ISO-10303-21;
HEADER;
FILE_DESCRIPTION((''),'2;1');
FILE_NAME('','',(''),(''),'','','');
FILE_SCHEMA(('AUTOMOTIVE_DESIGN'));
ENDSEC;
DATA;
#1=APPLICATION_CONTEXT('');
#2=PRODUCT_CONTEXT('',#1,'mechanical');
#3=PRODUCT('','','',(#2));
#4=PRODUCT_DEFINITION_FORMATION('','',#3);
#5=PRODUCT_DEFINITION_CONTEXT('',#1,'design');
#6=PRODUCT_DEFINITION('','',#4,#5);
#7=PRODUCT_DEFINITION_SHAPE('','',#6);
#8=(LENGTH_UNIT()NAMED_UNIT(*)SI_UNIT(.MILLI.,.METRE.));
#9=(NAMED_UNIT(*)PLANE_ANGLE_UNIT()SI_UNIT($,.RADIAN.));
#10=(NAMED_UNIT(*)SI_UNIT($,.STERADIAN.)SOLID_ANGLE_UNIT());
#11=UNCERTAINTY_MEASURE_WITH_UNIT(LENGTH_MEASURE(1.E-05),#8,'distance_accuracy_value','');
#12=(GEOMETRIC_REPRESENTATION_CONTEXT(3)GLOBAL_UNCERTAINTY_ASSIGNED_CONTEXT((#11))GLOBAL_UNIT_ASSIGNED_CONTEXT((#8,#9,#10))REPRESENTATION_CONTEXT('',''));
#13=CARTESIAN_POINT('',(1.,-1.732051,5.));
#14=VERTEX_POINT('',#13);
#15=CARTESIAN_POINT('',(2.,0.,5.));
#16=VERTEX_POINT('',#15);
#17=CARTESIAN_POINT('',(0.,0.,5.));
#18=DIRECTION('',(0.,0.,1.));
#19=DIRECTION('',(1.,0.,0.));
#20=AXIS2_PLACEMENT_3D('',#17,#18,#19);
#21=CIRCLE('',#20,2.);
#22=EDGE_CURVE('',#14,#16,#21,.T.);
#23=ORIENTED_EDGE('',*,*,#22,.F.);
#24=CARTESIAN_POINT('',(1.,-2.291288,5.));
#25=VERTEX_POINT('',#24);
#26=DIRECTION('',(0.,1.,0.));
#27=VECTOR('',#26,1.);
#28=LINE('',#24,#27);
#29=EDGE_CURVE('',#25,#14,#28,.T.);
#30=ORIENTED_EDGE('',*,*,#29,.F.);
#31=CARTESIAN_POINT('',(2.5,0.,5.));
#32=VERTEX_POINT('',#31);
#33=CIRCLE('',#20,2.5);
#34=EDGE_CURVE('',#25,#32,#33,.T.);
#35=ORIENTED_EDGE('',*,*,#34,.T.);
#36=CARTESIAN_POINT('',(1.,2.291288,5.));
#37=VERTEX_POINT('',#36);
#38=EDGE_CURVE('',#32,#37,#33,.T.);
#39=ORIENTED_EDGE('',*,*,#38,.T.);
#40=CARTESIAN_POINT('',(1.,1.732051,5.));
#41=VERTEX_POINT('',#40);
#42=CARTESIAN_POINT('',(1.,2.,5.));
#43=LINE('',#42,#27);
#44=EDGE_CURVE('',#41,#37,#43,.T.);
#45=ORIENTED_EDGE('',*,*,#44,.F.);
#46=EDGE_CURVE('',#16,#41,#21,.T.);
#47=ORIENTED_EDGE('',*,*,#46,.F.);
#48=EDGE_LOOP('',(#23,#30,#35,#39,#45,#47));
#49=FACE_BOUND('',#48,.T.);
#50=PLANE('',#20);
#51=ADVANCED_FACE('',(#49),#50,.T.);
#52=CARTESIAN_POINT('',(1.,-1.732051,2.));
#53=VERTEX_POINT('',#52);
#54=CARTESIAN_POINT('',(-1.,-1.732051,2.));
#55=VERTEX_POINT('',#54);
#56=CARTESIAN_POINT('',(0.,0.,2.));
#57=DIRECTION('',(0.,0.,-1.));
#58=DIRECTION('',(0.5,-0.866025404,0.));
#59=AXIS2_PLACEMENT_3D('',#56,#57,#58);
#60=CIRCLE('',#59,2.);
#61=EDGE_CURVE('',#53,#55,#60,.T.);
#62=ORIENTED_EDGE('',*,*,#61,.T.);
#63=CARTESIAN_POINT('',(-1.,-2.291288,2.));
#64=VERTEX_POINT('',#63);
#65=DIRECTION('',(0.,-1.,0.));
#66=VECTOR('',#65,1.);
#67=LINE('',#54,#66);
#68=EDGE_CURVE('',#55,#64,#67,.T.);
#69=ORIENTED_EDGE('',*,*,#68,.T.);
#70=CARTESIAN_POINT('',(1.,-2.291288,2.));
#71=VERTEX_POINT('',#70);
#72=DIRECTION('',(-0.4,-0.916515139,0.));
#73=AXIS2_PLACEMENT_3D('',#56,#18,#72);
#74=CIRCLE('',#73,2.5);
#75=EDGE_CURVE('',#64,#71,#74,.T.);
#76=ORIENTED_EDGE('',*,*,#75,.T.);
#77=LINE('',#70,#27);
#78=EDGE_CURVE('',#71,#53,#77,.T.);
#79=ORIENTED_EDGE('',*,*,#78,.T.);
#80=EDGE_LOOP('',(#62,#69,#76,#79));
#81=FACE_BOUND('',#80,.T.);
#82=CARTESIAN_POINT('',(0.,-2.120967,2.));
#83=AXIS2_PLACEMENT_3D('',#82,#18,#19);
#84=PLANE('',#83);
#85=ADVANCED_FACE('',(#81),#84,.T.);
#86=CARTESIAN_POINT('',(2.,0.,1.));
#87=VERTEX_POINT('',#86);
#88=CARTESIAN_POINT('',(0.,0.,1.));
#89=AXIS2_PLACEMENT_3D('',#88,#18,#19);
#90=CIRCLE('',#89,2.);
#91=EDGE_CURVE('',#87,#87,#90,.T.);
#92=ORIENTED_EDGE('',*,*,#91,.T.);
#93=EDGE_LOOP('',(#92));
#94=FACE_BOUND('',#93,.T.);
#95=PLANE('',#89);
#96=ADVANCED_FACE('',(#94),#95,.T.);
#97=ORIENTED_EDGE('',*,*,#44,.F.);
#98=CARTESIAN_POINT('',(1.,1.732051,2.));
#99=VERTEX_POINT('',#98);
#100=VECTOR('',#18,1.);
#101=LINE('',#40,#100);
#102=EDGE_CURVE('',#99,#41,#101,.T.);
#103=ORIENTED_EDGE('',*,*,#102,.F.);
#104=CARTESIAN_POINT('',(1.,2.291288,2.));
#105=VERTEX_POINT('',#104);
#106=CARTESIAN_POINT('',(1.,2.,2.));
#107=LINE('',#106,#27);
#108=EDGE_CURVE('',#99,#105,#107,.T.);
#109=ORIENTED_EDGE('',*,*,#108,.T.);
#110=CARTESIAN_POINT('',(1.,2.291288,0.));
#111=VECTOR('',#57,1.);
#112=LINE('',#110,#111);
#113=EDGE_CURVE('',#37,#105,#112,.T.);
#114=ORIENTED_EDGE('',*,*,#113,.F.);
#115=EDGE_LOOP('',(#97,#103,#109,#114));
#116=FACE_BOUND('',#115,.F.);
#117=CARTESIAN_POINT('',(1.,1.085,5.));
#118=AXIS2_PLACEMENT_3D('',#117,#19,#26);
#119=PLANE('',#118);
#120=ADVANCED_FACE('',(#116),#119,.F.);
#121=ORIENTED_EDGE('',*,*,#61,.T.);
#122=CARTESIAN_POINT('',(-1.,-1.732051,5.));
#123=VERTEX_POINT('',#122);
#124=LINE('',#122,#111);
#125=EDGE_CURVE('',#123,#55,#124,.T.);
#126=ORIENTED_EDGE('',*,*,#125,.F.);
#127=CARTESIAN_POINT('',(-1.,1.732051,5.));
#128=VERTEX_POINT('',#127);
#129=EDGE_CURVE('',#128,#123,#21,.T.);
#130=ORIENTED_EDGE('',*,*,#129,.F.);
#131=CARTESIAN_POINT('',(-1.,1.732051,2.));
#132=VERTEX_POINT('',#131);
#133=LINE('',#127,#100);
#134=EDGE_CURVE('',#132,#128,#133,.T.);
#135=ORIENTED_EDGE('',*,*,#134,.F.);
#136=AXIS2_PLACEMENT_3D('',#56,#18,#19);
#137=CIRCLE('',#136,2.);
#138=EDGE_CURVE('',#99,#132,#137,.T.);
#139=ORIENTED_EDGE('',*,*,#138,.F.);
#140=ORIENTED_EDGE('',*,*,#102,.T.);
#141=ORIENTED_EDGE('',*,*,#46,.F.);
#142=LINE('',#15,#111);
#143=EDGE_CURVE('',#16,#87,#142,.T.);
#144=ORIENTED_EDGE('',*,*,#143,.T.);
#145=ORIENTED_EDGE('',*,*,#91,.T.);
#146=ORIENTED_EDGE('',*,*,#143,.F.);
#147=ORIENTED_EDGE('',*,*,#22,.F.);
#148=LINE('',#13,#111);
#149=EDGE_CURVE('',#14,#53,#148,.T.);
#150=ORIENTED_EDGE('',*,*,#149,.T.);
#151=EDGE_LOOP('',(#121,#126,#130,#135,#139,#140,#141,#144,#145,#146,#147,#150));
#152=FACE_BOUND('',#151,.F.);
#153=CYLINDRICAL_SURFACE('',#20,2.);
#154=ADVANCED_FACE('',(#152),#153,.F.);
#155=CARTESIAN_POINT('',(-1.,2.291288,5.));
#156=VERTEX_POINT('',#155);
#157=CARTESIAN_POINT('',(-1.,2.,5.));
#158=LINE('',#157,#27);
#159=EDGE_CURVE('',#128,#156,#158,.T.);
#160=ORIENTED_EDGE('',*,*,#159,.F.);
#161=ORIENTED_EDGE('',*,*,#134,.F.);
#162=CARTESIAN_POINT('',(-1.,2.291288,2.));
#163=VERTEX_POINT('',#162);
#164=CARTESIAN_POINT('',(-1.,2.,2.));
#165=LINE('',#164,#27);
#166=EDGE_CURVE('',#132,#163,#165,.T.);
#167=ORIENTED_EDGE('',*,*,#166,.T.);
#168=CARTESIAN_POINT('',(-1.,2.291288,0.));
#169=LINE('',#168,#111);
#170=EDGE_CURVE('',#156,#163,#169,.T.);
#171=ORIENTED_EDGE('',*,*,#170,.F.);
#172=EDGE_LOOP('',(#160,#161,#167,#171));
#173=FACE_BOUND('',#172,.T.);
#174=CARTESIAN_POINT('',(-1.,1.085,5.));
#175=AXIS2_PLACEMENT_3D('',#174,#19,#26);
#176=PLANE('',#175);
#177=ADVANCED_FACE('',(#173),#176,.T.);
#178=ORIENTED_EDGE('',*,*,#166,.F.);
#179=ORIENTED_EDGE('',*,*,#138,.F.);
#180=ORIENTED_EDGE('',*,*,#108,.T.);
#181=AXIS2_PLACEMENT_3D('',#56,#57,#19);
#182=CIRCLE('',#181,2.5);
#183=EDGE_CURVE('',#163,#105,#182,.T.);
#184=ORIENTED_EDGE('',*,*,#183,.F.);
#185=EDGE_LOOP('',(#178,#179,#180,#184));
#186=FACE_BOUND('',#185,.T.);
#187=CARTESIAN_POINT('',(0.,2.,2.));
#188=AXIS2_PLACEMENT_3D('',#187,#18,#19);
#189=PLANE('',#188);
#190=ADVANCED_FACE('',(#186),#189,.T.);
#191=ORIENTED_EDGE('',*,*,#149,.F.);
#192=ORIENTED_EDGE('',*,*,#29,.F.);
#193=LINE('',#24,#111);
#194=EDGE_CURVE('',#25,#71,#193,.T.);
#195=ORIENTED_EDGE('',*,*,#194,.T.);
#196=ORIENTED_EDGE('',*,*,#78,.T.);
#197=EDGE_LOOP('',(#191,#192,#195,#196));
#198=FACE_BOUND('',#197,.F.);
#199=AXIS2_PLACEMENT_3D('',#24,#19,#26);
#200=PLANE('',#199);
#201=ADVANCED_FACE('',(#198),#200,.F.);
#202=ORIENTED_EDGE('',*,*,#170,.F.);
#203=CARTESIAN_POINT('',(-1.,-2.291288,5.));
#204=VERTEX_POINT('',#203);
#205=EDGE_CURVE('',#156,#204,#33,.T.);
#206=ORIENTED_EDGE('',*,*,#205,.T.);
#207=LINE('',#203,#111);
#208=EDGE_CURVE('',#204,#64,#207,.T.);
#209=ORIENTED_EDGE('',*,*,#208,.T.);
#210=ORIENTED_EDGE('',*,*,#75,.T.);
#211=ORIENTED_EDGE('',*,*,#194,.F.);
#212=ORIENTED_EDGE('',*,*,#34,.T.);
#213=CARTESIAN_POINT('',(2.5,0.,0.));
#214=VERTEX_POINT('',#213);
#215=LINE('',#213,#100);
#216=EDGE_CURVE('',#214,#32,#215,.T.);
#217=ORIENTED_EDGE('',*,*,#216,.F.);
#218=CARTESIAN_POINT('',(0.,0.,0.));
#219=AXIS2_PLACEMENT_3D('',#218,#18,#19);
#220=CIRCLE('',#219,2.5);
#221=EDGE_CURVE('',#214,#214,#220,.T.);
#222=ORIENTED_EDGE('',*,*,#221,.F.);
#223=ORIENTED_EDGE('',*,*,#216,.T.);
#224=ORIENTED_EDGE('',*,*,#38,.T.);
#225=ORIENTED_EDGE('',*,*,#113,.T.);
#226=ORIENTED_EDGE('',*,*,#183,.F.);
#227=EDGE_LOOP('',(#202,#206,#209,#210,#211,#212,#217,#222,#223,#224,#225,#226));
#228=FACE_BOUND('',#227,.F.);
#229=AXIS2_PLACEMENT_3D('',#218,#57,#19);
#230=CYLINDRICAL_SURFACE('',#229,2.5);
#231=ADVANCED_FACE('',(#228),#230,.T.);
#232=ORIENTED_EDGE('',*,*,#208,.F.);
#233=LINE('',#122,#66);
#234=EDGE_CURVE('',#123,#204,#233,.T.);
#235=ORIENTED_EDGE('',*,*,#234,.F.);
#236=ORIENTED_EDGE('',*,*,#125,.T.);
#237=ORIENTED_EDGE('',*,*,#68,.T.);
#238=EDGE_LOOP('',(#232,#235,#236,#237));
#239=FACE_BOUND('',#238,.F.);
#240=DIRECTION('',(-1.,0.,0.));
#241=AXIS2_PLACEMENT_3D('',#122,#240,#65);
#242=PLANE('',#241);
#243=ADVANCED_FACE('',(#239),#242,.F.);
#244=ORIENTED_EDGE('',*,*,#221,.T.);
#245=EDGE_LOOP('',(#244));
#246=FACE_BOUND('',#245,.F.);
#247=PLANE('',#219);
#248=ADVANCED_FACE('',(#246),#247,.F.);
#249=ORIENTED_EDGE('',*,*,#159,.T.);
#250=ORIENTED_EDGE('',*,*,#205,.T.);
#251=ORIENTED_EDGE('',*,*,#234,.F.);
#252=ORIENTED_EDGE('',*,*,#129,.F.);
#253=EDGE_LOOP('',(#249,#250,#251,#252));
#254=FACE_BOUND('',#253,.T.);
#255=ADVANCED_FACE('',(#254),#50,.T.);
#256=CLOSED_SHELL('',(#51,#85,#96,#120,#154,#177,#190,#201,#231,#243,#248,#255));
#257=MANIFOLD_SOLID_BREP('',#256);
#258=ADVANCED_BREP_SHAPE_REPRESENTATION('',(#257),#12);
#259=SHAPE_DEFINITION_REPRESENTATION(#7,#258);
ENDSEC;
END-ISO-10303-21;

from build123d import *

# Parameters (mm, degrees)
F0_R     = 2.5
F1_DEPTH = 5
F2_R     = 2
F3_DEPTH = 4
F5_DEPTH = 3
F6_W     = 2
F6_H     = 1.83
F7_DEPTH = 3


with BuildPart() as f1:
    # F0 (on Top) → F1 (new body)
    with BuildSketch(Plane.XY):
        Circle(F0_R)
    extrude(amount=F1_DEPTH)

    # F2 (on face) → F3 (cut)
    with BuildSketch(Plane.XY.offset(5)):
        Circle(F2_R)
    extrude(amount=-F3_DEPTH, mode=Mode.SUBTRACT)

    # F4 (on face) → F5 (cut)
    with BuildSketch(Plane.XY.offset(5)):
        with BuildLine():
            ThreePointArc((-1, -2.2912878475), (0, -2.5), (1, -2.2912878475))
            Line((1, -2.2912878475), (1, -1.7320508076))
            ThreePointArc((1, -1.7320508076), (0, -2), (-1, -1.7320508076))
            Line((-1, -1.7320508076), (-1, -2.2912878475))
        make_face()
    extrude(amount=-F5_DEPTH, mode=Mode.SUBTRACT)

    # F6 (on face) → F7 (cut)
    with BuildSketch(Plane.XY.offset(5)):
        with Locations((0, 2)):
            Rectangle(F6_W, F6_H)
    extrude(amount=-F7_DEPTH, mode=Mode.SUBTRACT)


solid = f1.part
